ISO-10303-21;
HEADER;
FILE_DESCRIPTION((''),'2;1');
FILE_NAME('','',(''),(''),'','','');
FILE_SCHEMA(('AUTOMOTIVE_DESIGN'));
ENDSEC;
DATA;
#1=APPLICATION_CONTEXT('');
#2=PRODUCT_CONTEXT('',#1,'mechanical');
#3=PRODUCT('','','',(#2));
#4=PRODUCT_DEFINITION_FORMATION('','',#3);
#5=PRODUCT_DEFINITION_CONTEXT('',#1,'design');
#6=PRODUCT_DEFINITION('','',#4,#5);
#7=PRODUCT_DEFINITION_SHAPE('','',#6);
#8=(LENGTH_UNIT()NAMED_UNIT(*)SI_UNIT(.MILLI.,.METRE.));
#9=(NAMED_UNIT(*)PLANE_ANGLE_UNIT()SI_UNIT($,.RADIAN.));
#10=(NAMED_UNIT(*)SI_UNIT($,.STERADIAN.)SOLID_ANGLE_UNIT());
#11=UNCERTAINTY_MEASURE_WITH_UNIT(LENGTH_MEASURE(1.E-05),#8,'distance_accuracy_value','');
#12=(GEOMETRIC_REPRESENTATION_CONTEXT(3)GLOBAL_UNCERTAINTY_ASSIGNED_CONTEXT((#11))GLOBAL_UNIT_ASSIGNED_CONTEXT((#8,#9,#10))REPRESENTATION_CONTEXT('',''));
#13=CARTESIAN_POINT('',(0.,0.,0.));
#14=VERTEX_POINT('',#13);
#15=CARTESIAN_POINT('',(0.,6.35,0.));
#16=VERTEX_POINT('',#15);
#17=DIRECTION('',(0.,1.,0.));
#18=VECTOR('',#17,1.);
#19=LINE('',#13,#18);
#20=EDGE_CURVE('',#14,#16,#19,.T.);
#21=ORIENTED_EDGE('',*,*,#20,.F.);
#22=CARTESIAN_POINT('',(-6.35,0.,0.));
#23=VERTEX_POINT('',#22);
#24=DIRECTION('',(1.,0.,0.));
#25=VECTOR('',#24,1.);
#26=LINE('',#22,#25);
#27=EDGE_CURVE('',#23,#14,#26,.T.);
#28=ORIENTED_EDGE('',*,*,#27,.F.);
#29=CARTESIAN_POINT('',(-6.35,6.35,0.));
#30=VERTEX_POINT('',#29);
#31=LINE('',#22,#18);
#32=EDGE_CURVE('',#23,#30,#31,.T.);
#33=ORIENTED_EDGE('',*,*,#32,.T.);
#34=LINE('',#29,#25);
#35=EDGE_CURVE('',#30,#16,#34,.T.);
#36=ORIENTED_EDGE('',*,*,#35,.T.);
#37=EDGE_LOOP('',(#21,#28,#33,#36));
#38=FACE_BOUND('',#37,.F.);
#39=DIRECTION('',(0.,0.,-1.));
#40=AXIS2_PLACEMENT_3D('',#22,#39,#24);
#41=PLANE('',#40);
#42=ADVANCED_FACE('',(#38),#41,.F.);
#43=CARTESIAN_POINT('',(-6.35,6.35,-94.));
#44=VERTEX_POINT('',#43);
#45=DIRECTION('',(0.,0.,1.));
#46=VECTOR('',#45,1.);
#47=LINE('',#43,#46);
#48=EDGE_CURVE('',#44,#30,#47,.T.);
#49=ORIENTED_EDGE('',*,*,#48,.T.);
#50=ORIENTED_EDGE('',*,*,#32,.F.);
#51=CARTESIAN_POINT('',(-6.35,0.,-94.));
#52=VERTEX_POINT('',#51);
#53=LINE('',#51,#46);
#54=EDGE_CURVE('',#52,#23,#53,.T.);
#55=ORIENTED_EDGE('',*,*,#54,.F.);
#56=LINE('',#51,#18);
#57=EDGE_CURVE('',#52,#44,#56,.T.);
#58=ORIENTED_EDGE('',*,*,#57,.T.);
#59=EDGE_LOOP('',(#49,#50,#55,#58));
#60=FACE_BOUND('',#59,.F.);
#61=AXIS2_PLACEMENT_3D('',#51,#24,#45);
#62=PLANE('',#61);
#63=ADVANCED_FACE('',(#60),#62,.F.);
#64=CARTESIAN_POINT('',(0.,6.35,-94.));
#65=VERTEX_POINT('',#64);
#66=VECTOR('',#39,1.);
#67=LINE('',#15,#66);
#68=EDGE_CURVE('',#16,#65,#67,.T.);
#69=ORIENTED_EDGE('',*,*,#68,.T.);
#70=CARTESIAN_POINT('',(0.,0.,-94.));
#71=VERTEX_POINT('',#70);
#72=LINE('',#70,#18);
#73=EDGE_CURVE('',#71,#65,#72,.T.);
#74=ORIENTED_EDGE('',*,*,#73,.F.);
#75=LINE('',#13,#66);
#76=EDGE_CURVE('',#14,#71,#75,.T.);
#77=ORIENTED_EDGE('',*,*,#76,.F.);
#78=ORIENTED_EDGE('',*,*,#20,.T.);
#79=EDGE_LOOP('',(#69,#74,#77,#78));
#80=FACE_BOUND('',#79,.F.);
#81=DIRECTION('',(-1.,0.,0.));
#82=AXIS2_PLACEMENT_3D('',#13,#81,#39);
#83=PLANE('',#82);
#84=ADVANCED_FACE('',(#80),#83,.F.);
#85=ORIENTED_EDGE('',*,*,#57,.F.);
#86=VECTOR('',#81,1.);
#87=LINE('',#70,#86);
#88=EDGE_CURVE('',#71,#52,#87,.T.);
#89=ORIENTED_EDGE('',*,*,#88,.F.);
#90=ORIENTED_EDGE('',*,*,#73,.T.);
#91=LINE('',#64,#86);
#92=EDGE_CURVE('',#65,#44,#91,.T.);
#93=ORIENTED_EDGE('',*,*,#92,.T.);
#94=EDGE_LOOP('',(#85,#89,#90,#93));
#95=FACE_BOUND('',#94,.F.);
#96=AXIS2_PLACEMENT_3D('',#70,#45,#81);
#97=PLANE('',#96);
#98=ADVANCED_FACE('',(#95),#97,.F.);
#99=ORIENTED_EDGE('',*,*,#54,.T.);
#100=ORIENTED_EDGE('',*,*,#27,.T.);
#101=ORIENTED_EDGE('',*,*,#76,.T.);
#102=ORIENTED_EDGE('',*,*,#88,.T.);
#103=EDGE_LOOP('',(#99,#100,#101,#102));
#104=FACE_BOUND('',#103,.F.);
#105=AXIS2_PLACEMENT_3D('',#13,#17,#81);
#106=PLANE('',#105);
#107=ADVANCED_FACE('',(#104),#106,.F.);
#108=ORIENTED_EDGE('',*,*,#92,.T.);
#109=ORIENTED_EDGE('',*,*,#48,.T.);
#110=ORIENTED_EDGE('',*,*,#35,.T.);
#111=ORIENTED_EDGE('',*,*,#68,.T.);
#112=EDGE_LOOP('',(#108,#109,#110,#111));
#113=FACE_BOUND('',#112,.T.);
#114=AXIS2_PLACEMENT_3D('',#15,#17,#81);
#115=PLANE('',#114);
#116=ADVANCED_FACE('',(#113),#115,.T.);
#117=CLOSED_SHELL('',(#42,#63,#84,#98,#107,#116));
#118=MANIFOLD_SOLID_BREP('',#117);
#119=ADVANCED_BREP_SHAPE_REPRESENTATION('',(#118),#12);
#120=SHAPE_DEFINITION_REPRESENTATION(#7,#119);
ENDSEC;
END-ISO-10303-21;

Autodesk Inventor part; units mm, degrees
ref_plane "YZ Plane" through (0, 0, 0) normal (1, 0, 0) x (0, 1, 0)
ref_plane "XZ Plane" through (0, 0, 0) normal (0, 1, 0) x (-1, 0, 0)
ref_plane "XY Plane" through (0, 0, 0) normal (0, 0, 1) x (1, 0, 0)
sketch "Sketch1" plane through (0, 0, 0) normal (0, 1, 0) x (-1, 0, 0)
  line L0 (0, 0) -> (0, -94)
  line L1 (0, -94) -> (6.35, -94)
  line L2 (6.35, -94) -> (6.35, 0)
  line L3 (6.35, 0) -> (0, 0)
  dimension "d0" = 94
  dimension "d1" = 6.35
extrude "Extrusion1" add sketch "Sketch1" along normal blind 6.35
properties part number "BottomSquareSupport"
